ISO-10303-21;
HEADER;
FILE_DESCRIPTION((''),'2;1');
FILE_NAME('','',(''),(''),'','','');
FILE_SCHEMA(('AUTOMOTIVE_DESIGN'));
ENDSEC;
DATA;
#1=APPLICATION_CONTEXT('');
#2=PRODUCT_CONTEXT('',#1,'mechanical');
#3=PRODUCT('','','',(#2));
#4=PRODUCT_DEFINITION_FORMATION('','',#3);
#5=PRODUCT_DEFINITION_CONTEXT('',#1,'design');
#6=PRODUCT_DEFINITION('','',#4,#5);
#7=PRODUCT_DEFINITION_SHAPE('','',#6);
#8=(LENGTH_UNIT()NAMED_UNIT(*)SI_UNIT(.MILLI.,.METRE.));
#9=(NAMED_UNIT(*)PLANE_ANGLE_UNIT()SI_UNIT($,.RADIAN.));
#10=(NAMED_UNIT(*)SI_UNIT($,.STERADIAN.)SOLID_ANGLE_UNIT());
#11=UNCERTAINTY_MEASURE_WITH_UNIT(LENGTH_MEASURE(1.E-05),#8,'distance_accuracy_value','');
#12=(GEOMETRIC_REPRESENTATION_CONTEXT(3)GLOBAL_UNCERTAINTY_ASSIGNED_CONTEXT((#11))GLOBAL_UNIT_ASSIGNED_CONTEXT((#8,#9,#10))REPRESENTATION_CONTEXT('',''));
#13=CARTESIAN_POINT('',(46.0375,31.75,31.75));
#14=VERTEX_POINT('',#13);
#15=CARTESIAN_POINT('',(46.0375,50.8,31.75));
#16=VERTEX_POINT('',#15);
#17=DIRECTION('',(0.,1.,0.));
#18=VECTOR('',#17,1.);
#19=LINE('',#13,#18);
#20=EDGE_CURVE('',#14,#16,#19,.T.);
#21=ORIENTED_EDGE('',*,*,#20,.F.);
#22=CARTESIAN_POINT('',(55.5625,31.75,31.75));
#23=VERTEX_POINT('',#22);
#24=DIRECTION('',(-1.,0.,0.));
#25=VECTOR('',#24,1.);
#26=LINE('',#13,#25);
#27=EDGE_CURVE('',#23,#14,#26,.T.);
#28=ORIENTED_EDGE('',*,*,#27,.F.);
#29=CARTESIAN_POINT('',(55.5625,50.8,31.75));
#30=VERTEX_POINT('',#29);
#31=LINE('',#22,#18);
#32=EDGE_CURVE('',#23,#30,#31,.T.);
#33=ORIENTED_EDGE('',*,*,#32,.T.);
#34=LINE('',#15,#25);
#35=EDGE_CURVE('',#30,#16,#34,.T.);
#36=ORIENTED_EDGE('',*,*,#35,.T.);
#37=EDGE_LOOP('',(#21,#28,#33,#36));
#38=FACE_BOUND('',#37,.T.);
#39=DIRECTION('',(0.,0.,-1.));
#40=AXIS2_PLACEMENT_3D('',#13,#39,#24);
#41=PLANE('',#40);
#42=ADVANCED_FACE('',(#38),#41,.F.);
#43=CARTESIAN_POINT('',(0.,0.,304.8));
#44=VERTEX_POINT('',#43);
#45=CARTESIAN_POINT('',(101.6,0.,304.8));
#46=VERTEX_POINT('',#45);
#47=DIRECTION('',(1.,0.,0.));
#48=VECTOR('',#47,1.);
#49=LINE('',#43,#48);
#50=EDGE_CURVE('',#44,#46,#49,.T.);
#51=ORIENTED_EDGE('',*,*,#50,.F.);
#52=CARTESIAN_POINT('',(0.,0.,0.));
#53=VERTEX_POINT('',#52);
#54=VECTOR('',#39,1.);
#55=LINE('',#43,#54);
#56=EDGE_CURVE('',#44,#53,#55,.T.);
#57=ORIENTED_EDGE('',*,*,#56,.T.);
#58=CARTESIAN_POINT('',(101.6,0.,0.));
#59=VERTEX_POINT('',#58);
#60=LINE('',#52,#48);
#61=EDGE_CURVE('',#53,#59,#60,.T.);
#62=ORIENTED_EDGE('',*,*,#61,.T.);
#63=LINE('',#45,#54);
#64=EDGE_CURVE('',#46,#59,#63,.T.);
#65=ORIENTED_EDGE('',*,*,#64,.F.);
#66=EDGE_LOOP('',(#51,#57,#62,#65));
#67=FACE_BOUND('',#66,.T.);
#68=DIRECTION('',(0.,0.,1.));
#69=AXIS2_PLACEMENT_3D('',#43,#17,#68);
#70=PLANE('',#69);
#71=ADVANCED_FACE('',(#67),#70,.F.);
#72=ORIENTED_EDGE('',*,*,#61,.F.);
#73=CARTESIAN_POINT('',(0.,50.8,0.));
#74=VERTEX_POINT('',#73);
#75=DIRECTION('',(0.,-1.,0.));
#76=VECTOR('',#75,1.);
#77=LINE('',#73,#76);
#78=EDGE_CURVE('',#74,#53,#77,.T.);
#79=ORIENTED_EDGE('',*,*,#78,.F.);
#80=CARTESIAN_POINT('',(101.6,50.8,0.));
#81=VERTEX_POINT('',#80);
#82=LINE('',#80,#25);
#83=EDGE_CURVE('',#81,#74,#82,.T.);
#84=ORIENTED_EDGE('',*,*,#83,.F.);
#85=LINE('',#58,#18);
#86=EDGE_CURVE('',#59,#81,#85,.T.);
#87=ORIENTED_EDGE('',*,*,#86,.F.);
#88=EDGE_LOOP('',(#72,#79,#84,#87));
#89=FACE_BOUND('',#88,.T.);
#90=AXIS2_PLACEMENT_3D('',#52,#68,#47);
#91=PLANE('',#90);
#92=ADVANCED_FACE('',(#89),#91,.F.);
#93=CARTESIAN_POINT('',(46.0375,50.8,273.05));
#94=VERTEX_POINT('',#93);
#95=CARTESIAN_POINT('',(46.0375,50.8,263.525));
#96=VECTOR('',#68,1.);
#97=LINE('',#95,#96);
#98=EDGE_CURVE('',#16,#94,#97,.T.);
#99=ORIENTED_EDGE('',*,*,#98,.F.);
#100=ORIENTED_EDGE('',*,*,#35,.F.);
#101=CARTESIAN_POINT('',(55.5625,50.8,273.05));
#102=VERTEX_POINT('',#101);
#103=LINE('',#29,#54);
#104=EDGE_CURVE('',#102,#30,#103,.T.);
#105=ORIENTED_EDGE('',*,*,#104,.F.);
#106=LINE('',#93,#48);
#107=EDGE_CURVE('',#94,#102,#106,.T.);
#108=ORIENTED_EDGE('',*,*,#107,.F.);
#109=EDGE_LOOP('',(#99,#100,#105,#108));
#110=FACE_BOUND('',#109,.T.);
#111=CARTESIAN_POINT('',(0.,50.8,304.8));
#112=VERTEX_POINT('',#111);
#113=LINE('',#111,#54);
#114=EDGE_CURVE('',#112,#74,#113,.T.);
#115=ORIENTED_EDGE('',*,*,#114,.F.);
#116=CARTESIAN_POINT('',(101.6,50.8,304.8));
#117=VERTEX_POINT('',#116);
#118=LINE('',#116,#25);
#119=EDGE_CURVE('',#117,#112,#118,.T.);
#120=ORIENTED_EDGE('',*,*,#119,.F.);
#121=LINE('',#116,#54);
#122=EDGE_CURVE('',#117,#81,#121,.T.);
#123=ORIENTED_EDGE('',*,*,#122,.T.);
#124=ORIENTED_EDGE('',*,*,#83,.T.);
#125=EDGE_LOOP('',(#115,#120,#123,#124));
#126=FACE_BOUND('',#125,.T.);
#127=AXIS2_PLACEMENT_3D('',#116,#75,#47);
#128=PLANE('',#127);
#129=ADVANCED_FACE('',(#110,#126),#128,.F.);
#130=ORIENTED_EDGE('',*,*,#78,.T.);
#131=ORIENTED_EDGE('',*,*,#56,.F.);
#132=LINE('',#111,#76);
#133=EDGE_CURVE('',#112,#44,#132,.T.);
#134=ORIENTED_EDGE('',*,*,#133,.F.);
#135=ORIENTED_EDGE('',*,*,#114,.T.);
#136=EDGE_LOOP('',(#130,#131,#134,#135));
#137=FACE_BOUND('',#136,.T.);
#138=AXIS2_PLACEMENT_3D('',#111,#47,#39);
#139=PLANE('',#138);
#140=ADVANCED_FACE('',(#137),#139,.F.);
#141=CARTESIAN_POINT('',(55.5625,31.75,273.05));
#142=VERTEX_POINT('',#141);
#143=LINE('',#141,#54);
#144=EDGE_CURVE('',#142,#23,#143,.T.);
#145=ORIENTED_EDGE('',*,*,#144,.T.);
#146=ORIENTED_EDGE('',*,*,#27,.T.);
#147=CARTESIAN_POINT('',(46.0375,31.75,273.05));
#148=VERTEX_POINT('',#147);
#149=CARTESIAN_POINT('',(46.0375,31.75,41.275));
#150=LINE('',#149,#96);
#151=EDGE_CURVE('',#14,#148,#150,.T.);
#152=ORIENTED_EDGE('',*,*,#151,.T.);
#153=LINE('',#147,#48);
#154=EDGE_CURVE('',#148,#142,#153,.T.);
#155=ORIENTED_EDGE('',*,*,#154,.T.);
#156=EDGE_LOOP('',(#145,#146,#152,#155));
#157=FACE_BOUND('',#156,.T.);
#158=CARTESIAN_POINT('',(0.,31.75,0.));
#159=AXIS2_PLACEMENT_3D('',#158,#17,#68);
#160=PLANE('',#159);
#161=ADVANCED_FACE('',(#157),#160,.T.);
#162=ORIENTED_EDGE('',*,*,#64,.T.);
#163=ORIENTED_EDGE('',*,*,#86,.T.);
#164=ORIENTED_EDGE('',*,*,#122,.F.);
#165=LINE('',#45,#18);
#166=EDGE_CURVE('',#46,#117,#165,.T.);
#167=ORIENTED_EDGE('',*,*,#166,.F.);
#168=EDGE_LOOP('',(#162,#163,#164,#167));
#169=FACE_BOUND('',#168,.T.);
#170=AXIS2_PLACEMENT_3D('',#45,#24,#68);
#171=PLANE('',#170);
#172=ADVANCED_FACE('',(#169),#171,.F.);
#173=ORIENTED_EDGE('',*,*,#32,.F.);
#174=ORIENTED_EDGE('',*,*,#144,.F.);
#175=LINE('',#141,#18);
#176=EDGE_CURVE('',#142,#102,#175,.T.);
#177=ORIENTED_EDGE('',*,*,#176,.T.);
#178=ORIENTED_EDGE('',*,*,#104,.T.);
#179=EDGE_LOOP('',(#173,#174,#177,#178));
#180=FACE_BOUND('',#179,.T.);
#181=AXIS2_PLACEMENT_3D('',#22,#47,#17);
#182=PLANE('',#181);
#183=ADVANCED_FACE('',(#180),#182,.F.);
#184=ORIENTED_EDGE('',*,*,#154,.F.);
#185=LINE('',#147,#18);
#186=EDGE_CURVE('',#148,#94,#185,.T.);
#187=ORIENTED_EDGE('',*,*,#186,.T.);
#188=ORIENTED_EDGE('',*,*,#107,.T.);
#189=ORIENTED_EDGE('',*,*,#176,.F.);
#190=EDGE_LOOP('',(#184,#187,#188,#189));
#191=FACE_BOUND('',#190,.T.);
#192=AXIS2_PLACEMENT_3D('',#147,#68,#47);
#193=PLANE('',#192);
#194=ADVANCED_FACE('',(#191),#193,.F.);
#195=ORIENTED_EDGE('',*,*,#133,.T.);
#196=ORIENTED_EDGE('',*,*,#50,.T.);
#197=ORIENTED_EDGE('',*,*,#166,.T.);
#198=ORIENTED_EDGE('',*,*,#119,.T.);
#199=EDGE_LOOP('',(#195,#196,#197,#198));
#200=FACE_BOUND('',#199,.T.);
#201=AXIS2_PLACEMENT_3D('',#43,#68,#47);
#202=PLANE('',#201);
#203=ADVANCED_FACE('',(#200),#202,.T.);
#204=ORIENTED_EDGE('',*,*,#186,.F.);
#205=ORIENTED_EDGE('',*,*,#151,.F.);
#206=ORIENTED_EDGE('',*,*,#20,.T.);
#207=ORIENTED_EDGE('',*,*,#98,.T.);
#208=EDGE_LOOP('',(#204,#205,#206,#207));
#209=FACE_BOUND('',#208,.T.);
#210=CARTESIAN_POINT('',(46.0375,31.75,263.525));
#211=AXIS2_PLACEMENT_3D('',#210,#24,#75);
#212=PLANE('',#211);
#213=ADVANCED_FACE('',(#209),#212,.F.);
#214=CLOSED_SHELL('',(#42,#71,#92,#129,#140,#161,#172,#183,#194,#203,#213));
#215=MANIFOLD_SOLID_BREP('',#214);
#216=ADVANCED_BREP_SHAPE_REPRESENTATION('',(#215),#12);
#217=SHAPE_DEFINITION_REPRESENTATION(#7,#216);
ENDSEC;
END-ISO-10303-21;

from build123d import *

# Parameters (mm, degrees)
SKETCH1_W           = 101.6
SKETCH1_H           = 50.8
BOSS_EXTRUDE1_DEPTH = 304.8
CUT_EXTRUDE1_DEPTH  = 19.05


with BuildPart() as part:
    # Sketch1 → Boss-Extrude1 (new body)
    with BuildSketch(Plane.XY):
        with Locations((50.8, 25.4)):
            Rectangle(SKETCH1_W, SKETCH1_H)
    extrude(amount=BOSS_EXTRUDE1_DEPTH)

    # Sketch2 → Cut-Extrude1 (cut)
    with BuildSketch(Plane(origin=(0, 50.8, 0), x_dir=(1, 0, 0), z_dir=(0, 1, 0))):
        Polygon((46.0375, -41.275), (46.0375, -31.75), (55.5625, -31.75), (55.5625, -41.275), (55.5625, -263.525), (55.5625, -273.05), (46.0375, -273.05), (46.0375, -263.525), align=None)
    extrude(amount=-CUT_EXTRUDE1_DEPTH, mode=Mode.SUBTRACT)


solid = part.part
